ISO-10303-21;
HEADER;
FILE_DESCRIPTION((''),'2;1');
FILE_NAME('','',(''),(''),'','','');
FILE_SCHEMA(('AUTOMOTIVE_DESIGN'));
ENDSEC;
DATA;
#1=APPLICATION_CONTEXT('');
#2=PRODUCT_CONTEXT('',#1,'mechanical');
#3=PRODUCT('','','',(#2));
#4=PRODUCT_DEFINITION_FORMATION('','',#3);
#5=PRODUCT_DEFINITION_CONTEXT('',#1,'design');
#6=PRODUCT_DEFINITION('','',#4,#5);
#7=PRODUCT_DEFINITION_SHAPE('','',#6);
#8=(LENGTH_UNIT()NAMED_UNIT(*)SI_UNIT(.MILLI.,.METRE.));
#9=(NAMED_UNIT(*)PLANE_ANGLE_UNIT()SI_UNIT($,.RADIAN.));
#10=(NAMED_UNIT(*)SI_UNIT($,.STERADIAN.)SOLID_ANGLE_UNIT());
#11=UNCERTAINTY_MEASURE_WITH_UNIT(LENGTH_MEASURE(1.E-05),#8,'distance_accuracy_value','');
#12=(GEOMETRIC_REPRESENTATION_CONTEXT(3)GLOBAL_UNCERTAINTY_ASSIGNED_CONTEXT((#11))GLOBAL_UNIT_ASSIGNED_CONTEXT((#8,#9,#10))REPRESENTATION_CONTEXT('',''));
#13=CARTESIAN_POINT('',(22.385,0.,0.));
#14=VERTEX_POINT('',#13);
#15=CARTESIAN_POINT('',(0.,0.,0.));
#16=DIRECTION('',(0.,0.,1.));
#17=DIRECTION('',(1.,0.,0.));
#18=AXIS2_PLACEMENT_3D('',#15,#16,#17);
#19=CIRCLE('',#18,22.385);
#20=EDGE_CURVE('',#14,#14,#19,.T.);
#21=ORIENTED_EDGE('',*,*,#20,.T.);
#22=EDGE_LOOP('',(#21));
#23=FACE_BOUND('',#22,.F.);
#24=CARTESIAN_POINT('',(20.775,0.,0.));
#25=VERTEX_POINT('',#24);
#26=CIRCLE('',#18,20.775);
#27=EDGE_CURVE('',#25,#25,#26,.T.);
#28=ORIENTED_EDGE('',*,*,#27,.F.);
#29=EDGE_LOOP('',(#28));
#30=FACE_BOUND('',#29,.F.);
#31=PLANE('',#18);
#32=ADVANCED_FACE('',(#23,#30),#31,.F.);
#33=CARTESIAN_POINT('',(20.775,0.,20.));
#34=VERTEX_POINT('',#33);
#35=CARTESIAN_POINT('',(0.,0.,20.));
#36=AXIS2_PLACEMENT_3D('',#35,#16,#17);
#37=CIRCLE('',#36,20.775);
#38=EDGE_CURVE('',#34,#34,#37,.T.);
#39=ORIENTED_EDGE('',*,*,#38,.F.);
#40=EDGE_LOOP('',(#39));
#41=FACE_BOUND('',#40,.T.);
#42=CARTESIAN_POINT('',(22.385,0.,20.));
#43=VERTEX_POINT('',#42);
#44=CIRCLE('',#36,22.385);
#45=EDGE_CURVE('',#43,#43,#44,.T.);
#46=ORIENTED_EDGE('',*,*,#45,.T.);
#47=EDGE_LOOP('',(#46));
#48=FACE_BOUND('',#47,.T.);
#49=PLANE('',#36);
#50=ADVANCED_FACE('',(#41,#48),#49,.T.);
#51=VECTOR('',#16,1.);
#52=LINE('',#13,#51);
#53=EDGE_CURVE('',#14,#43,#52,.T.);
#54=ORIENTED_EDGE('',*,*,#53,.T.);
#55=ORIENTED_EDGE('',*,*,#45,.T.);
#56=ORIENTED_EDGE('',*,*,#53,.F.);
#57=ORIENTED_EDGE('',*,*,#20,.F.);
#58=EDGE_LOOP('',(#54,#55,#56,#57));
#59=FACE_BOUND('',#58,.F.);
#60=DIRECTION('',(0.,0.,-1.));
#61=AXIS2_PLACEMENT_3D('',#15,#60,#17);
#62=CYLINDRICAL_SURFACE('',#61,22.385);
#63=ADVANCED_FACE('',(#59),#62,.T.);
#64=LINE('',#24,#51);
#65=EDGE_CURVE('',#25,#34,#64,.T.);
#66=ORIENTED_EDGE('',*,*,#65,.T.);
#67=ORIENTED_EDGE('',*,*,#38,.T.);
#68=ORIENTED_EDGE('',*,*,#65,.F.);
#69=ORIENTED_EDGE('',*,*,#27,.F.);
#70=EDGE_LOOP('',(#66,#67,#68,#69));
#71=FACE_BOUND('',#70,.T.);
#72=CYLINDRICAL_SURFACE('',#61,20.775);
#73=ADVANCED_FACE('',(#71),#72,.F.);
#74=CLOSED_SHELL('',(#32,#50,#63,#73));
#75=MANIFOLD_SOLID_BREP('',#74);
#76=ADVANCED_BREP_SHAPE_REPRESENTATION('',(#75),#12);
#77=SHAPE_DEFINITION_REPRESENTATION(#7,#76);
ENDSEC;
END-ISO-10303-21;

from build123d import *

# Parameters (mm, degrees)
SKETCH_R   = 22.385
SKETCH_R_2 = 20.775
PAD_DEPTH  = 20


with BuildPart() as part:
    # Sketch (on XY_Plane of Origin) → Pad (new body)
    with BuildSketch(Plane.XY):
        Circle(SKETCH_R)
        Circle(SKETCH_R_2, mode=Mode.SUBTRACT)
    extrude(amount=PAD_DEPTH)


solid = part.part
